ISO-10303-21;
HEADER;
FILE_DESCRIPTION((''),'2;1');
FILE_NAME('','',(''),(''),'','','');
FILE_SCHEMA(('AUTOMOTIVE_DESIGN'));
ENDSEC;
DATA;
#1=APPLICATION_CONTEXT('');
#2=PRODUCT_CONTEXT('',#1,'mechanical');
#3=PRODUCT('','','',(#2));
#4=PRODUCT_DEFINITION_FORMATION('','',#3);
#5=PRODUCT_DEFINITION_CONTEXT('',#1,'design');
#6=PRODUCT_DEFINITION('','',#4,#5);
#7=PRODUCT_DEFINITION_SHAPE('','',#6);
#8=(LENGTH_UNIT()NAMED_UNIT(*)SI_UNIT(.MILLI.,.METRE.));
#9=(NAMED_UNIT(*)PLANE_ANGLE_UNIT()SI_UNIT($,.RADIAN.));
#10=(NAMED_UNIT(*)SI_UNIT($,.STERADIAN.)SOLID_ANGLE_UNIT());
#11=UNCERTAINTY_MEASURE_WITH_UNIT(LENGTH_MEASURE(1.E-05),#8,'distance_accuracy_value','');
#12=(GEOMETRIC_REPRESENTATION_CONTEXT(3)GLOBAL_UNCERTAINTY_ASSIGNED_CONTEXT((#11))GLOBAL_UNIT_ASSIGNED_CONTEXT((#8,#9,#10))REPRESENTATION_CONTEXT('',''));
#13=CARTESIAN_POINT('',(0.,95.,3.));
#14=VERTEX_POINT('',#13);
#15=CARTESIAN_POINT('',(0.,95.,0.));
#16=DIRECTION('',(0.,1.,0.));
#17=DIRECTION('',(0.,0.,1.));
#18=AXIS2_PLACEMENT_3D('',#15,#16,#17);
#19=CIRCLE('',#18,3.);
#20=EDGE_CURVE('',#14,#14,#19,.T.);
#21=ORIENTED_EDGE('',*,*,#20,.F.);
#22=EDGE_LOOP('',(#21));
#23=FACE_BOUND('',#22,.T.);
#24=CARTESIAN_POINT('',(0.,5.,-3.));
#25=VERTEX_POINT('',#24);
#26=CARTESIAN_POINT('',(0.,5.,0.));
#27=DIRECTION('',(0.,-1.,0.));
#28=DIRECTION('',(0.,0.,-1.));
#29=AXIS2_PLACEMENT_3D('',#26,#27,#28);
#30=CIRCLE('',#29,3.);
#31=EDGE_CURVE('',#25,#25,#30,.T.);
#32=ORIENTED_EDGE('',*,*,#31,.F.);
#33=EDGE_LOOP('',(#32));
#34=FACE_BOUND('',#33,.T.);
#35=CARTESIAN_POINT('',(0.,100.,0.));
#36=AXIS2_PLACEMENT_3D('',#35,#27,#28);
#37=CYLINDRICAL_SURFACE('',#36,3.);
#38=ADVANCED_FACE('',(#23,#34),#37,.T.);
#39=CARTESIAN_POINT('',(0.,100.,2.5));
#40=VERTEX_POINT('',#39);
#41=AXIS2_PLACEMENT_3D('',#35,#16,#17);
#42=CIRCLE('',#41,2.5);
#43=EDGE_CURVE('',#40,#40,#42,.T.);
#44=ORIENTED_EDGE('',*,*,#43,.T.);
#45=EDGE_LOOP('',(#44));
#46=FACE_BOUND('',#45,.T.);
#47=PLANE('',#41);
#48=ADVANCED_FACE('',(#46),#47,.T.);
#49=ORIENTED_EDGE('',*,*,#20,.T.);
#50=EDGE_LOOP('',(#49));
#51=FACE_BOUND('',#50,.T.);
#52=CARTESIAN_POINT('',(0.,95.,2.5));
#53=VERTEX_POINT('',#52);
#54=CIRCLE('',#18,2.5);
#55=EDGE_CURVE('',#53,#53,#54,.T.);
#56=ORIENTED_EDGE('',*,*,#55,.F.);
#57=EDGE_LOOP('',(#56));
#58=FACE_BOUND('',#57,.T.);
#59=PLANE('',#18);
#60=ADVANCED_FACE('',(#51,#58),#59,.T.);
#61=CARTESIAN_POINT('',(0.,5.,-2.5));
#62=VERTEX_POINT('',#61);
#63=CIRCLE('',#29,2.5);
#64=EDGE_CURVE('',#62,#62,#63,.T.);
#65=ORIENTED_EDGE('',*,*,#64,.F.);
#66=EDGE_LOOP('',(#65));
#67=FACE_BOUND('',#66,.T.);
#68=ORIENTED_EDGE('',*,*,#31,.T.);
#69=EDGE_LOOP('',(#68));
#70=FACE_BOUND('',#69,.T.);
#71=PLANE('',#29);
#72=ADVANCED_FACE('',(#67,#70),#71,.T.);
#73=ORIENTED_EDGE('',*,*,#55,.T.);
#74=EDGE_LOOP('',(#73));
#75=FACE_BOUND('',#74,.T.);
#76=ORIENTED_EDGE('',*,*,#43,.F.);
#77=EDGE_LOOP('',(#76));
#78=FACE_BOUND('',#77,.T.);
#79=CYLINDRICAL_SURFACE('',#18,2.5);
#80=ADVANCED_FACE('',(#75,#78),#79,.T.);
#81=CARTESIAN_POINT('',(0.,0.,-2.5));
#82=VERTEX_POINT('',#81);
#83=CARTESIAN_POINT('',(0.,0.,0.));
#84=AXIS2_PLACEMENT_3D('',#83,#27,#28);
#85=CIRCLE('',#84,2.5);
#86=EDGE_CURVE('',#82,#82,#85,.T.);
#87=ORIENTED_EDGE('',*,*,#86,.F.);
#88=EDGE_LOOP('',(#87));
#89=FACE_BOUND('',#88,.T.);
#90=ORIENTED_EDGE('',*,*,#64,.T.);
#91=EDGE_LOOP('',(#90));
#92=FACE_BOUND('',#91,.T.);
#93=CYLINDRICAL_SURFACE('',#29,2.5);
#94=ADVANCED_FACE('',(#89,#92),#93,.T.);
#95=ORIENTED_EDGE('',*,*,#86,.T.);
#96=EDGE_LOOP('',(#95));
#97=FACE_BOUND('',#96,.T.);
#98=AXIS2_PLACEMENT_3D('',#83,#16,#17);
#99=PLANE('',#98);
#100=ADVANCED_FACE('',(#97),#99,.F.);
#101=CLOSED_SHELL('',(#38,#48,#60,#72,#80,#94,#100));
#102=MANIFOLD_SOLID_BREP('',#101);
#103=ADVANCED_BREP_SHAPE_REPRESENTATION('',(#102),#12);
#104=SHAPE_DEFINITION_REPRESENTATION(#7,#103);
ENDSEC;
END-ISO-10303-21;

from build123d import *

# Parameters (mm, degrees)
SKETCH1_R           = 3
BOSS_EXTRUDE1_DEPTH = 100
SKETCH2_R           = 3.804683346
SKETCH2_R_2         = 2.5
CUT_EXTRUDE1_DEPTH  = 5
CUT_EXTRUDE2_START  = -5
SKETCH3_R           = 4.634260774
SKETCH3_R_2         = 2.5
CUT_EXTRUDE2_DEPTH  = 5


with BuildPart() as part:
    # Sketch1 → Boss-Extrude1 (new body)
    with BuildSketch(Plane(origin=(0, 0, 0), x_dir=(1, 0, 0), z_dir=(0, 1, 0))):
        with Locations(Location((0, 0, 0), (0, 0, 270))):
            Circle(SKETCH1_R)
    extrude(amount=BOSS_EXTRUDE1_DEPTH)

    # Sketch2 → Cut-Extrude1 (cut)
    with BuildSketch(Plane.XZ):
        Circle(SKETCH2_R)
        with Locations(Location((0, 0, 0), (0, 0, 270))):
            Circle(SKETCH2_R_2, mode=Mode.SUBTRACT)
    extrude(amount=-CUT_EXTRUDE1_DEPTH, mode=Mode.SUBTRACT)

    # Sketch3 → Cut-Extrude2 (cut)
    with BuildSketch(Plane(origin=(0, 100, 0), x_dir=(1, 0, 0), z_dir=(0, 1, 0)).offset(CUT_EXTRUDE2_START)):
        Circle(SKETCH3_R)
        with Locations(Location((0, 0, 0), (0, 0, 90))):
            Circle(SKETCH3_R_2, mode=Mode.SUBTRACT)
    extrude(amount=CUT_EXTRUDE2_DEPTH, mode=Mode.SUBTRACT)


solid = part.part
